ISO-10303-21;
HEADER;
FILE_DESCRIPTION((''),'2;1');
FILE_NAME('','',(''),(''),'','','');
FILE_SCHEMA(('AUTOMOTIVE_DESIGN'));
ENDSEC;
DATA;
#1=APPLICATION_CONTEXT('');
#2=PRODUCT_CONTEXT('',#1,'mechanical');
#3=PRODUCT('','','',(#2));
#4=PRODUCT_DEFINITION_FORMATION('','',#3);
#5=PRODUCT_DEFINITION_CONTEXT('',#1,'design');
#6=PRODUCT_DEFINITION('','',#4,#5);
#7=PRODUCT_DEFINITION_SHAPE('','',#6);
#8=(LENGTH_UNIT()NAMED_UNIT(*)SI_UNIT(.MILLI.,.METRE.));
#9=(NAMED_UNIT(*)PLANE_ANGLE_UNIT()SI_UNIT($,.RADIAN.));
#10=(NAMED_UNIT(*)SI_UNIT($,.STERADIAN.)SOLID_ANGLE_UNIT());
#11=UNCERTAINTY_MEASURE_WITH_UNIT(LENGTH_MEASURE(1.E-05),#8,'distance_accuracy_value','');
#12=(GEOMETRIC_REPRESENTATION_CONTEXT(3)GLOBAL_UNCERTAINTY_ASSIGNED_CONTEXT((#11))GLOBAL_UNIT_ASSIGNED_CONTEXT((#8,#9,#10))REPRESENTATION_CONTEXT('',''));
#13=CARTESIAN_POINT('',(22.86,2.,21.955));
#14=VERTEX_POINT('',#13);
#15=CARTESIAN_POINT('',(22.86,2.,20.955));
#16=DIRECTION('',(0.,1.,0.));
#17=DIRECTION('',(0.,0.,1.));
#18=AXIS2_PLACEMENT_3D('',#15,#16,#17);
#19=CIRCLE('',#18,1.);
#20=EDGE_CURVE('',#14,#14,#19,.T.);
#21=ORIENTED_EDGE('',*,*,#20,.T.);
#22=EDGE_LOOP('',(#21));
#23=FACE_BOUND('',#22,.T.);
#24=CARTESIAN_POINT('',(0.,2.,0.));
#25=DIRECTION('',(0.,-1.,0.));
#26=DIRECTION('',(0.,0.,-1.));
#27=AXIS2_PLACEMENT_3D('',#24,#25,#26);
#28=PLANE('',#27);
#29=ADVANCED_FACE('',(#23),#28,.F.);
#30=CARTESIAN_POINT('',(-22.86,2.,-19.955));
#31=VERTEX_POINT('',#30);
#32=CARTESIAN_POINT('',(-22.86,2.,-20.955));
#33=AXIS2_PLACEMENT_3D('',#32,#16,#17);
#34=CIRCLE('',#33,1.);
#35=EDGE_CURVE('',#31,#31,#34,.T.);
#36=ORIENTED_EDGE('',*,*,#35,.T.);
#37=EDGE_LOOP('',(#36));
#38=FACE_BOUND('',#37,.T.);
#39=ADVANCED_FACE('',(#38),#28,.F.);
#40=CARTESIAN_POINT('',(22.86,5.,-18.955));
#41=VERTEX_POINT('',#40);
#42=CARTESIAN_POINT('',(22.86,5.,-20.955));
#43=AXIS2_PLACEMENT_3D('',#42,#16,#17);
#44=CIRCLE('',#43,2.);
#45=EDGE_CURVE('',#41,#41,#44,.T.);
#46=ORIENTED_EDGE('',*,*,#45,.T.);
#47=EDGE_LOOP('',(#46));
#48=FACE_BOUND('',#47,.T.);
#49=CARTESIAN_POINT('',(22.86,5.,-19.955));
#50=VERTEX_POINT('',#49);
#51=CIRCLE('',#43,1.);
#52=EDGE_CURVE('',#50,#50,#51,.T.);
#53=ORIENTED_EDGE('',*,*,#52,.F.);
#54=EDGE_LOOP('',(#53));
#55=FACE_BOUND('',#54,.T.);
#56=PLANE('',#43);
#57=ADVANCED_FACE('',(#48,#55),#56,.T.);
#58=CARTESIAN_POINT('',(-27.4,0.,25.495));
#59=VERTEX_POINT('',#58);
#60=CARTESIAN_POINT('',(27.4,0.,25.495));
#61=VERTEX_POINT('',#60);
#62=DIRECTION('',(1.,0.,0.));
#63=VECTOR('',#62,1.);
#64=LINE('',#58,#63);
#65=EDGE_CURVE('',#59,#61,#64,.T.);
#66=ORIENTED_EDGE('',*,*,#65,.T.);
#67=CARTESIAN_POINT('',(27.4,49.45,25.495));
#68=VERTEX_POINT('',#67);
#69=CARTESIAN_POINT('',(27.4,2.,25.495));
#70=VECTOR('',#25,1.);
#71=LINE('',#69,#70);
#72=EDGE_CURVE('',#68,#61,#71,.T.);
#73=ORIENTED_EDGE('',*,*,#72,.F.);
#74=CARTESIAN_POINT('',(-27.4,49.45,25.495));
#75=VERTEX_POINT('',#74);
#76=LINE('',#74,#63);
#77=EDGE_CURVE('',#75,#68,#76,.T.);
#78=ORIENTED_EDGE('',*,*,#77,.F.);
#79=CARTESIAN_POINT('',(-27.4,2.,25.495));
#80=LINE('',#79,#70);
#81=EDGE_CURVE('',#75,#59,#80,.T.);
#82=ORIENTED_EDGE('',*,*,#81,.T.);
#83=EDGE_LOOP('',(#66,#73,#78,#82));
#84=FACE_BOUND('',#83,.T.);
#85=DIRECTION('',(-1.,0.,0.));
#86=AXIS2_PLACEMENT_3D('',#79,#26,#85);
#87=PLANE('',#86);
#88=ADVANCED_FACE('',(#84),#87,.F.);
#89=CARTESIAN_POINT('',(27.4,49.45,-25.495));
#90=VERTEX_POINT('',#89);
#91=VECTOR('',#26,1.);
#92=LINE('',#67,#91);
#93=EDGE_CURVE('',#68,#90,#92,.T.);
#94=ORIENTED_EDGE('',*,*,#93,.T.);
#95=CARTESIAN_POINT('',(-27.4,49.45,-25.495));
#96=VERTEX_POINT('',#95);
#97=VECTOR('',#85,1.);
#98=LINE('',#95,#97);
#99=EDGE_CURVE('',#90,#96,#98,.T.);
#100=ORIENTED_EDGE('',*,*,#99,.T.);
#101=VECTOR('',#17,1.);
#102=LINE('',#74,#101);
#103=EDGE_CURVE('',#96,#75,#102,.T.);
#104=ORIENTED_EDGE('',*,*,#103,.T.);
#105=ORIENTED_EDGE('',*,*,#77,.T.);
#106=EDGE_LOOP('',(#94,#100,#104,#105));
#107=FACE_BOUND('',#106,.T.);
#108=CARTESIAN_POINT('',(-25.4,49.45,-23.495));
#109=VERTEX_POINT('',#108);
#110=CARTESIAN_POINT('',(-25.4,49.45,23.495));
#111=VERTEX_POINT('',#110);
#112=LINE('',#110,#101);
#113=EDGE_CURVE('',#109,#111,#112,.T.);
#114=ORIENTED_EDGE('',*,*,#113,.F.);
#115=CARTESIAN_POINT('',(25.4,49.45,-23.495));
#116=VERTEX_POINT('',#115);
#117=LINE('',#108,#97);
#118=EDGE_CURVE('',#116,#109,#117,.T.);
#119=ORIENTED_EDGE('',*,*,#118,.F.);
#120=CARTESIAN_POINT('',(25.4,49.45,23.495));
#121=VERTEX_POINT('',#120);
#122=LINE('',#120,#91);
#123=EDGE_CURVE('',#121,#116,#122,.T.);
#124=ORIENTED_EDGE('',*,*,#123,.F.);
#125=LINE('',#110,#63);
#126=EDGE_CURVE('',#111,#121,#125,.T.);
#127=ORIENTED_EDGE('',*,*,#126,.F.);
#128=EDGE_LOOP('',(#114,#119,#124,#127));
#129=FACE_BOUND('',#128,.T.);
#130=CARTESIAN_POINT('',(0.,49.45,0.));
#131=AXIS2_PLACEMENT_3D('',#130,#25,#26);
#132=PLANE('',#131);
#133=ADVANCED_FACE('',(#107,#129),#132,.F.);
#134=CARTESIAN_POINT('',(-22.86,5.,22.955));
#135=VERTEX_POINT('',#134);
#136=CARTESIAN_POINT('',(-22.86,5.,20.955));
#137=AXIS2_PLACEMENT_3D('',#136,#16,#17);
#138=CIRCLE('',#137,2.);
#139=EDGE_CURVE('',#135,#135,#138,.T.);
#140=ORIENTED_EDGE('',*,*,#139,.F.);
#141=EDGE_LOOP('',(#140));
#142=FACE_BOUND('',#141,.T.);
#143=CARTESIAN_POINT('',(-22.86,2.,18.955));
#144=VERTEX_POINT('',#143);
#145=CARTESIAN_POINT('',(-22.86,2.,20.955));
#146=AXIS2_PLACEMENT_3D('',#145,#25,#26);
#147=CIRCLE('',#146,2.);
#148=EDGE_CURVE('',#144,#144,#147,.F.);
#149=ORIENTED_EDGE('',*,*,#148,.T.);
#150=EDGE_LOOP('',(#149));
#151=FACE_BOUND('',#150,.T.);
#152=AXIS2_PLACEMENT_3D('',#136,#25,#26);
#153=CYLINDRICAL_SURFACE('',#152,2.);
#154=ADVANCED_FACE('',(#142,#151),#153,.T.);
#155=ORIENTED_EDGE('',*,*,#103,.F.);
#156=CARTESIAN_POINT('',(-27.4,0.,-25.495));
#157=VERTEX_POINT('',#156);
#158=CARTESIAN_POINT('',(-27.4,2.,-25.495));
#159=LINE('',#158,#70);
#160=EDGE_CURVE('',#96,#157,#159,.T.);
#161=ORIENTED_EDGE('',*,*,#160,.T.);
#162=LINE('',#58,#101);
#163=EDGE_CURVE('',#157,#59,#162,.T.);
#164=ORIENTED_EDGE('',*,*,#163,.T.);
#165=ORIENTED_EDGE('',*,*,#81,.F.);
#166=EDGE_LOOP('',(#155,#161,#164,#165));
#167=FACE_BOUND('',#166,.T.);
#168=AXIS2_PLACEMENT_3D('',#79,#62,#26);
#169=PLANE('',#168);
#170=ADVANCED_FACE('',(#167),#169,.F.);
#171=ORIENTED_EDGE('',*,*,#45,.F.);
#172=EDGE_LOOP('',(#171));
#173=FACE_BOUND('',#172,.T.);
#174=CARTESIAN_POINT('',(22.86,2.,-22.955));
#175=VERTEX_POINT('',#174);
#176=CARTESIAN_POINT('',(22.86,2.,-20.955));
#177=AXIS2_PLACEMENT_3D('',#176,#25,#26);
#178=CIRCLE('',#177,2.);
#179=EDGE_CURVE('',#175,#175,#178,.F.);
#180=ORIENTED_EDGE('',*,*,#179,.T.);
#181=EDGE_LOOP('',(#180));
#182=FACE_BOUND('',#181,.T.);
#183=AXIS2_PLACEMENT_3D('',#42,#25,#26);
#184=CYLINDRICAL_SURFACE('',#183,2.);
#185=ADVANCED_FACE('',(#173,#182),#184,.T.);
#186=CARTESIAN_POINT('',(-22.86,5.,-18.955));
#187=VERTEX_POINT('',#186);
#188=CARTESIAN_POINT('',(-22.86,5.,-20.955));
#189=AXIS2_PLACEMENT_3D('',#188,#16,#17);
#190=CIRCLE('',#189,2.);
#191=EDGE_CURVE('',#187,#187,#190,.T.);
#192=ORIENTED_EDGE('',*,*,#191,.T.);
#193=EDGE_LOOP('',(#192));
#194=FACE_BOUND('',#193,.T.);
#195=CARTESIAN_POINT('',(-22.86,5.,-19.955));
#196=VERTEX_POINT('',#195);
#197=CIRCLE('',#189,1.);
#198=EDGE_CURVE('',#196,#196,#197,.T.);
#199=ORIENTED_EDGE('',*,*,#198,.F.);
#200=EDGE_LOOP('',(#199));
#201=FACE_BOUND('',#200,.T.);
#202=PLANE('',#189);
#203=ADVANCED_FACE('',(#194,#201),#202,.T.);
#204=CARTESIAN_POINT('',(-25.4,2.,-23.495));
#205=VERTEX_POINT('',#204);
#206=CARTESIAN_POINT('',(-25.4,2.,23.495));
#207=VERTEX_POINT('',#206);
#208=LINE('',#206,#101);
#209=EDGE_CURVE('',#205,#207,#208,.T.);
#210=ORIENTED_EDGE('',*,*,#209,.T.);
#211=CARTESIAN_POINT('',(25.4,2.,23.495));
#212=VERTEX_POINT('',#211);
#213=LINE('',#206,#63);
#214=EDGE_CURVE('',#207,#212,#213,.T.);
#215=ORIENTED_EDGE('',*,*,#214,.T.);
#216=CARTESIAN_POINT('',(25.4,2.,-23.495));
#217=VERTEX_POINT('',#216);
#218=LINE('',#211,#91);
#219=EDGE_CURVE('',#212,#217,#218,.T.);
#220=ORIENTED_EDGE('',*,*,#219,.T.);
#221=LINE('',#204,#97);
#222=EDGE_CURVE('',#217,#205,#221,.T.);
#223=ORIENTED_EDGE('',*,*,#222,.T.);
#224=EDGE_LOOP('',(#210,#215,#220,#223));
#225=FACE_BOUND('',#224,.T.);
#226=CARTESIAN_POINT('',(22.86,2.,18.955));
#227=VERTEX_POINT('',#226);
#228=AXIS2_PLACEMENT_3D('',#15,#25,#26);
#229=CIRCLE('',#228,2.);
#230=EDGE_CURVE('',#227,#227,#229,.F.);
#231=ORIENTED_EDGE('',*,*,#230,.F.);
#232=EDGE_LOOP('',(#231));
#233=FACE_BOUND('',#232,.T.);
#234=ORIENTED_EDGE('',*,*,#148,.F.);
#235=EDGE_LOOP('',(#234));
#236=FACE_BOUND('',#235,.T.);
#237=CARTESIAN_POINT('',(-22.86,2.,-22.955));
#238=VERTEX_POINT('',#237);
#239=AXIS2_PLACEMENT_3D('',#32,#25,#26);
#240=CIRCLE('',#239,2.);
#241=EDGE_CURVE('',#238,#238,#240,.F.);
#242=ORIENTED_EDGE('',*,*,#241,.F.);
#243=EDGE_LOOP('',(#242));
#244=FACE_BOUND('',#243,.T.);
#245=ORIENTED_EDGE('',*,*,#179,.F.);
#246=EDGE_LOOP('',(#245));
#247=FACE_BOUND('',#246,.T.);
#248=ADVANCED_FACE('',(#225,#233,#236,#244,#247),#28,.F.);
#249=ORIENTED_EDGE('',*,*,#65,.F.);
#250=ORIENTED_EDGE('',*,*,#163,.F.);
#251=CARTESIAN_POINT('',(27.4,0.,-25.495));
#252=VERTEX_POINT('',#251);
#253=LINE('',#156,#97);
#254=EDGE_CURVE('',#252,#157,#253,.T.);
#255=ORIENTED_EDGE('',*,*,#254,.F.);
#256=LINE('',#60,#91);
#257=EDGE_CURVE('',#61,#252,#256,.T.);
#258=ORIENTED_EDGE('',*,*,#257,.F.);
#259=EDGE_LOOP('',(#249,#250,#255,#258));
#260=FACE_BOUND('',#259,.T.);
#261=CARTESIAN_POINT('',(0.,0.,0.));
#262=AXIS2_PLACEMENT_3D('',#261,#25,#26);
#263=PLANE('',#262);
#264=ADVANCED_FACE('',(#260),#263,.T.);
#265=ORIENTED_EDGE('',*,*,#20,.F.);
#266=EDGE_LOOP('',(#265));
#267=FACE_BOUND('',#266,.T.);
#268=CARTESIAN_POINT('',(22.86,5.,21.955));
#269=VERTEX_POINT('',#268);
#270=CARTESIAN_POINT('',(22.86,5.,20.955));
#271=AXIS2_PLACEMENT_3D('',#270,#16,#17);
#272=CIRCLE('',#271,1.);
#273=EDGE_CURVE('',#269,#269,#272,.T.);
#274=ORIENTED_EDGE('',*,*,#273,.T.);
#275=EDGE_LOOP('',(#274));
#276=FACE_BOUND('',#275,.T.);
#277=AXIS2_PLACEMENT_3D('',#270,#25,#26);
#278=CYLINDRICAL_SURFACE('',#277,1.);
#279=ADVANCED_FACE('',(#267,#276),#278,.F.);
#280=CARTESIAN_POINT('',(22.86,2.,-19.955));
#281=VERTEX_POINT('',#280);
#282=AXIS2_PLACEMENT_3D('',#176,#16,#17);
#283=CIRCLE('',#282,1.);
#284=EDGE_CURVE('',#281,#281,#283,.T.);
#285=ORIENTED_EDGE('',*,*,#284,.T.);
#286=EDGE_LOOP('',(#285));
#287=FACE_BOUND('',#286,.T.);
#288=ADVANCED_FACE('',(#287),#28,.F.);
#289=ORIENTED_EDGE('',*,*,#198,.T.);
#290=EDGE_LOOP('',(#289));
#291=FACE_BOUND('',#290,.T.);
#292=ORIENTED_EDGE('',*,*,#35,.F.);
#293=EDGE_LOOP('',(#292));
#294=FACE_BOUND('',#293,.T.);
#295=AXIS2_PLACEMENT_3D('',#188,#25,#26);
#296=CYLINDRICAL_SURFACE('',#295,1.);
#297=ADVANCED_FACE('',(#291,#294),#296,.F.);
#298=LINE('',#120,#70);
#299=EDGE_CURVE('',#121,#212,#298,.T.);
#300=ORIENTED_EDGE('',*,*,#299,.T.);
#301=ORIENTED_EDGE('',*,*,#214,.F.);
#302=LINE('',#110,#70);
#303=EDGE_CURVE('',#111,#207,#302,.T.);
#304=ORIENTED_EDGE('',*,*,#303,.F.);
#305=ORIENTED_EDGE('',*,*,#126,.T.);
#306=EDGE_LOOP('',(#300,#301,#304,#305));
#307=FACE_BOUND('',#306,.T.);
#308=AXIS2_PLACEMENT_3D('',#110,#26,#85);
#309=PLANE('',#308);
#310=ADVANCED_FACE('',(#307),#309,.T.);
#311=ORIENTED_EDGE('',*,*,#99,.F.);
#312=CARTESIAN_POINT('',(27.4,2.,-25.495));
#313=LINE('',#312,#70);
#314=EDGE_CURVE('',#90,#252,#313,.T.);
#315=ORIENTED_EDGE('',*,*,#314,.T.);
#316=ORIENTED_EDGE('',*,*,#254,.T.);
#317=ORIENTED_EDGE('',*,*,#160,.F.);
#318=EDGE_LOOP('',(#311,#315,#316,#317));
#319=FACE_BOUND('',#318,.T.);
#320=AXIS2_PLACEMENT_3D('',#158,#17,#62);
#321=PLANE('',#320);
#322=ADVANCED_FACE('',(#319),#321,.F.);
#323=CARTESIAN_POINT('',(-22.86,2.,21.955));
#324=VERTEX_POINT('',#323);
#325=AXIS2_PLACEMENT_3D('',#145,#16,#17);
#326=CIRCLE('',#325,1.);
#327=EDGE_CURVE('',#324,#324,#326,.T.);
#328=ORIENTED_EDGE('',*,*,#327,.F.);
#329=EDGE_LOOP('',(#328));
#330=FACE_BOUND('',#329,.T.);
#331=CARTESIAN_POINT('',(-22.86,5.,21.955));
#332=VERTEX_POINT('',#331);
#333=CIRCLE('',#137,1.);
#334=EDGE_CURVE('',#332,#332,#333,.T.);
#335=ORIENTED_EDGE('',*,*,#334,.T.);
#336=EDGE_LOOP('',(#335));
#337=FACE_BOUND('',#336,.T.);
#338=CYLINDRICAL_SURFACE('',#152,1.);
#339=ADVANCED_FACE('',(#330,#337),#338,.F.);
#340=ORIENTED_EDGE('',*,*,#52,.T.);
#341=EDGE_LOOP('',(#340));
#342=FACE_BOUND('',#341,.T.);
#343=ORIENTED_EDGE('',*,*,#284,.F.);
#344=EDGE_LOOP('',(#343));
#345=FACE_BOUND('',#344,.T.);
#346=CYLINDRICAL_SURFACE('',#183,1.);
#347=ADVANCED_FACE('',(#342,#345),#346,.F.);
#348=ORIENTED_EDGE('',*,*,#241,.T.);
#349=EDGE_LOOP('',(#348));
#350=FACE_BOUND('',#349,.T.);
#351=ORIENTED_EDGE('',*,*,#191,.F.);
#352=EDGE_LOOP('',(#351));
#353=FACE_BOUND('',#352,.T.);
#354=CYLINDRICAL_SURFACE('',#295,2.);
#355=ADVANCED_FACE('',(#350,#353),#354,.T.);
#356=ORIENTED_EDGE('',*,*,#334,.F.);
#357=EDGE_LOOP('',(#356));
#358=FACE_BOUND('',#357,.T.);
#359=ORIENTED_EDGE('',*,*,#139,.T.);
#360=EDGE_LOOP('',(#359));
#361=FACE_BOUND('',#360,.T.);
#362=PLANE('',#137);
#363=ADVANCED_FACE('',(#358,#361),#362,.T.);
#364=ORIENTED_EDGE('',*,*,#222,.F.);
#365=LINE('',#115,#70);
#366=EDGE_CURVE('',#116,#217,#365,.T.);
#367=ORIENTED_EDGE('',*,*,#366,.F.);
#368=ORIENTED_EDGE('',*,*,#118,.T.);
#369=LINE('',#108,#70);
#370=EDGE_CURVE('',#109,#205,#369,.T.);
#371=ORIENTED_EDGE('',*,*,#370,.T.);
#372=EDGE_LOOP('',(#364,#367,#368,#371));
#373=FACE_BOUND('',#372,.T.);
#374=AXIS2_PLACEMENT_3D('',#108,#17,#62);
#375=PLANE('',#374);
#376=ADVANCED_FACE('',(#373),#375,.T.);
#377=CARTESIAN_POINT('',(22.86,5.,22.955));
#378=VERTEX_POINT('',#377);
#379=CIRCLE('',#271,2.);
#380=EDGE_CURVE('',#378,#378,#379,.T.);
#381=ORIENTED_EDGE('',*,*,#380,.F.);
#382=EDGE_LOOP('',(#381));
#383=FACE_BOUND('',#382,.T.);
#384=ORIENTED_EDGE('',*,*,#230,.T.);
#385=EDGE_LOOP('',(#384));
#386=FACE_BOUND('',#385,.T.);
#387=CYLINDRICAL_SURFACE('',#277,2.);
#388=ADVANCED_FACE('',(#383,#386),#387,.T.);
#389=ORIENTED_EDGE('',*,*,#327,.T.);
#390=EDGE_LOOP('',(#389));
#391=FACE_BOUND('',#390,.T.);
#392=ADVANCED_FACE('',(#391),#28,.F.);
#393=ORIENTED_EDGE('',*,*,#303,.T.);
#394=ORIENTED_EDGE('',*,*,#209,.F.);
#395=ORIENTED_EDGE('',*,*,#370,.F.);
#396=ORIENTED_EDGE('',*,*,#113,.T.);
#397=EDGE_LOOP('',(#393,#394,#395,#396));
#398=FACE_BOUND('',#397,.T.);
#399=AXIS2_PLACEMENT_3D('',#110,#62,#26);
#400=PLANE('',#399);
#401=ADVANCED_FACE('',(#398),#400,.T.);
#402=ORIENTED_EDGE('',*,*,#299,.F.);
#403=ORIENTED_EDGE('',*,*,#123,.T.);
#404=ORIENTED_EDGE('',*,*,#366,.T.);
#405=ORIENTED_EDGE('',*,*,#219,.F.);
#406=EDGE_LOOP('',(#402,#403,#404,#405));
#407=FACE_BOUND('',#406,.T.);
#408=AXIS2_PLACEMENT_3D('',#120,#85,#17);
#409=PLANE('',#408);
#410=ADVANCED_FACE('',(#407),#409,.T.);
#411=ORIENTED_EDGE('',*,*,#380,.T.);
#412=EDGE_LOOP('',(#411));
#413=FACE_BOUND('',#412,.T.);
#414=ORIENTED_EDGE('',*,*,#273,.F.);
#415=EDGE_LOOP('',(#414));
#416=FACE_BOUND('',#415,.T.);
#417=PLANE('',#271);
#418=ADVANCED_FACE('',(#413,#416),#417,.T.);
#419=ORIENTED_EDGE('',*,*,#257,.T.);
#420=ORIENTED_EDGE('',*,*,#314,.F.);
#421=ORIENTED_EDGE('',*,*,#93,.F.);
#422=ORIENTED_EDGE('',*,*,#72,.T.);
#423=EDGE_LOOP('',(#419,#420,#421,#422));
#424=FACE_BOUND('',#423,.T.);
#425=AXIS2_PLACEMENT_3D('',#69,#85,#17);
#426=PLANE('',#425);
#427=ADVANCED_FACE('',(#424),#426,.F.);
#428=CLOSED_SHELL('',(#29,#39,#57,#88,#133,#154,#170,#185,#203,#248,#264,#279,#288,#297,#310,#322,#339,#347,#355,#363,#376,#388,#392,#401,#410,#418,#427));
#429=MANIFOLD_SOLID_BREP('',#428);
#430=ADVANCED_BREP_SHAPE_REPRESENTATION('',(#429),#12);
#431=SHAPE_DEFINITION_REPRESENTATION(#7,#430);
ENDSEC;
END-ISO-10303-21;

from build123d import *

# Parameters (mm, degrees)
SKETCH1_W           = 54.800000096
SKETCH1_H           = 50.990000096
BOSS_EXTRUDE2_DEPTH = 2
SKETCH2_R           = 2
SKETCH2_R_2         = 1
BOSS_EXTRUDE3_DEPTH = 3
SKETCH3_W           = 54.800000096
SKETCH3_H           = 50.990000096
SKETCH3_W_2         = 50.800000096
SKETCH3_H_2         = 46.990000096
BOSS_EXTRUDE5_DEPTH = 47.45


with BuildPart() as part:
    # Sketch1 → Boss-Extrude2 (new body)
    with BuildSketch(Plane(origin=(0, 0, 0), x_dir=(1, 0, 0), z_dir=(0, 1, 0))):
        Rectangle(SKETCH1_W, SKETCH1_H)
    extrude(amount=BOSS_EXTRUDE2_DEPTH)

    # Sketch2 → Boss-Extrude3 (add)
    # profile 1 of 4: a face of its own
    with BuildSketch(Plane(origin=(0, 2, 0), x_dir=(1, 0, 0), z_dir=(0, 1, 0))):
        with Locations(Location((-22.86, 20.955, 0), (0, 0, 90))):
            Circle(SKETCH2_R)
        with Locations(Location((-22.86, 20.955, 0), (0, 0, 270))):
            Circle(SKETCH2_R_2, mode=Mode.SUBTRACT)
    # profile 2 of 4: a face of its own
    with BuildSketch(Plane(origin=(0, 2, 0), x_dir=(1, 0, 0), z_dir=(0, 1, 0))):
        with Locations(Location((22.86, 20.955, 0), (0, 0, 90))):
            Circle(SKETCH2_R)
        with Locations(Location((22.86, 20.955, 0), (0, 0, 270))):
            Circle(SKETCH2_R_2, mode=Mode.SUBTRACT)
    # profile 3 of 4: a face of its own
    with BuildSketch(Plane(origin=(0, 2, 0), x_dir=(1, 0, 0), z_dir=(0, 1, 0))):
        with Locations(Location((22.86, -20.955, 0), (0, 0, 90))):
            Circle(SKETCH2_R)
        with Locations(Location((22.86, -20.955, 0), (0, 0, 270))):
            Circle(SKETCH2_R_2, mode=Mode.SUBTRACT)
    # profile 4 of 4: a face of its own
    with BuildSketch(Plane(origin=(0, 2, 0), x_dir=(1, 0, 0), z_dir=(0, 1, 0))):
        with Locations(Location((-22.86, -20.955, 0), (0, 0, 90))):
            Circle(SKETCH2_R)
        with Locations(Location((-22.86, -20.955, 0), (0, 0, 270))):
            Circle(SKETCH2_R_2, mode=Mode.SUBTRACT)
    extrude(amount=BOSS_EXTRUDE3_DEPTH)

    # Sketch3 → Boss-Extrude5 (add)
    with BuildSketch(Plane(origin=(0, 2, 0), x_dir=(1, 0, 0), z_dir=(0, 1, 0))):
        Rectangle(SKETCH3_W, SKETCH3_H)
        Rectangle(SKETCH3_W_2, SKETCH3_H_2, mode=Mode.SUBTRACT)
    extrude(amount=BOSS_EXTRUDE5_DEPTH)


solid = part.part
